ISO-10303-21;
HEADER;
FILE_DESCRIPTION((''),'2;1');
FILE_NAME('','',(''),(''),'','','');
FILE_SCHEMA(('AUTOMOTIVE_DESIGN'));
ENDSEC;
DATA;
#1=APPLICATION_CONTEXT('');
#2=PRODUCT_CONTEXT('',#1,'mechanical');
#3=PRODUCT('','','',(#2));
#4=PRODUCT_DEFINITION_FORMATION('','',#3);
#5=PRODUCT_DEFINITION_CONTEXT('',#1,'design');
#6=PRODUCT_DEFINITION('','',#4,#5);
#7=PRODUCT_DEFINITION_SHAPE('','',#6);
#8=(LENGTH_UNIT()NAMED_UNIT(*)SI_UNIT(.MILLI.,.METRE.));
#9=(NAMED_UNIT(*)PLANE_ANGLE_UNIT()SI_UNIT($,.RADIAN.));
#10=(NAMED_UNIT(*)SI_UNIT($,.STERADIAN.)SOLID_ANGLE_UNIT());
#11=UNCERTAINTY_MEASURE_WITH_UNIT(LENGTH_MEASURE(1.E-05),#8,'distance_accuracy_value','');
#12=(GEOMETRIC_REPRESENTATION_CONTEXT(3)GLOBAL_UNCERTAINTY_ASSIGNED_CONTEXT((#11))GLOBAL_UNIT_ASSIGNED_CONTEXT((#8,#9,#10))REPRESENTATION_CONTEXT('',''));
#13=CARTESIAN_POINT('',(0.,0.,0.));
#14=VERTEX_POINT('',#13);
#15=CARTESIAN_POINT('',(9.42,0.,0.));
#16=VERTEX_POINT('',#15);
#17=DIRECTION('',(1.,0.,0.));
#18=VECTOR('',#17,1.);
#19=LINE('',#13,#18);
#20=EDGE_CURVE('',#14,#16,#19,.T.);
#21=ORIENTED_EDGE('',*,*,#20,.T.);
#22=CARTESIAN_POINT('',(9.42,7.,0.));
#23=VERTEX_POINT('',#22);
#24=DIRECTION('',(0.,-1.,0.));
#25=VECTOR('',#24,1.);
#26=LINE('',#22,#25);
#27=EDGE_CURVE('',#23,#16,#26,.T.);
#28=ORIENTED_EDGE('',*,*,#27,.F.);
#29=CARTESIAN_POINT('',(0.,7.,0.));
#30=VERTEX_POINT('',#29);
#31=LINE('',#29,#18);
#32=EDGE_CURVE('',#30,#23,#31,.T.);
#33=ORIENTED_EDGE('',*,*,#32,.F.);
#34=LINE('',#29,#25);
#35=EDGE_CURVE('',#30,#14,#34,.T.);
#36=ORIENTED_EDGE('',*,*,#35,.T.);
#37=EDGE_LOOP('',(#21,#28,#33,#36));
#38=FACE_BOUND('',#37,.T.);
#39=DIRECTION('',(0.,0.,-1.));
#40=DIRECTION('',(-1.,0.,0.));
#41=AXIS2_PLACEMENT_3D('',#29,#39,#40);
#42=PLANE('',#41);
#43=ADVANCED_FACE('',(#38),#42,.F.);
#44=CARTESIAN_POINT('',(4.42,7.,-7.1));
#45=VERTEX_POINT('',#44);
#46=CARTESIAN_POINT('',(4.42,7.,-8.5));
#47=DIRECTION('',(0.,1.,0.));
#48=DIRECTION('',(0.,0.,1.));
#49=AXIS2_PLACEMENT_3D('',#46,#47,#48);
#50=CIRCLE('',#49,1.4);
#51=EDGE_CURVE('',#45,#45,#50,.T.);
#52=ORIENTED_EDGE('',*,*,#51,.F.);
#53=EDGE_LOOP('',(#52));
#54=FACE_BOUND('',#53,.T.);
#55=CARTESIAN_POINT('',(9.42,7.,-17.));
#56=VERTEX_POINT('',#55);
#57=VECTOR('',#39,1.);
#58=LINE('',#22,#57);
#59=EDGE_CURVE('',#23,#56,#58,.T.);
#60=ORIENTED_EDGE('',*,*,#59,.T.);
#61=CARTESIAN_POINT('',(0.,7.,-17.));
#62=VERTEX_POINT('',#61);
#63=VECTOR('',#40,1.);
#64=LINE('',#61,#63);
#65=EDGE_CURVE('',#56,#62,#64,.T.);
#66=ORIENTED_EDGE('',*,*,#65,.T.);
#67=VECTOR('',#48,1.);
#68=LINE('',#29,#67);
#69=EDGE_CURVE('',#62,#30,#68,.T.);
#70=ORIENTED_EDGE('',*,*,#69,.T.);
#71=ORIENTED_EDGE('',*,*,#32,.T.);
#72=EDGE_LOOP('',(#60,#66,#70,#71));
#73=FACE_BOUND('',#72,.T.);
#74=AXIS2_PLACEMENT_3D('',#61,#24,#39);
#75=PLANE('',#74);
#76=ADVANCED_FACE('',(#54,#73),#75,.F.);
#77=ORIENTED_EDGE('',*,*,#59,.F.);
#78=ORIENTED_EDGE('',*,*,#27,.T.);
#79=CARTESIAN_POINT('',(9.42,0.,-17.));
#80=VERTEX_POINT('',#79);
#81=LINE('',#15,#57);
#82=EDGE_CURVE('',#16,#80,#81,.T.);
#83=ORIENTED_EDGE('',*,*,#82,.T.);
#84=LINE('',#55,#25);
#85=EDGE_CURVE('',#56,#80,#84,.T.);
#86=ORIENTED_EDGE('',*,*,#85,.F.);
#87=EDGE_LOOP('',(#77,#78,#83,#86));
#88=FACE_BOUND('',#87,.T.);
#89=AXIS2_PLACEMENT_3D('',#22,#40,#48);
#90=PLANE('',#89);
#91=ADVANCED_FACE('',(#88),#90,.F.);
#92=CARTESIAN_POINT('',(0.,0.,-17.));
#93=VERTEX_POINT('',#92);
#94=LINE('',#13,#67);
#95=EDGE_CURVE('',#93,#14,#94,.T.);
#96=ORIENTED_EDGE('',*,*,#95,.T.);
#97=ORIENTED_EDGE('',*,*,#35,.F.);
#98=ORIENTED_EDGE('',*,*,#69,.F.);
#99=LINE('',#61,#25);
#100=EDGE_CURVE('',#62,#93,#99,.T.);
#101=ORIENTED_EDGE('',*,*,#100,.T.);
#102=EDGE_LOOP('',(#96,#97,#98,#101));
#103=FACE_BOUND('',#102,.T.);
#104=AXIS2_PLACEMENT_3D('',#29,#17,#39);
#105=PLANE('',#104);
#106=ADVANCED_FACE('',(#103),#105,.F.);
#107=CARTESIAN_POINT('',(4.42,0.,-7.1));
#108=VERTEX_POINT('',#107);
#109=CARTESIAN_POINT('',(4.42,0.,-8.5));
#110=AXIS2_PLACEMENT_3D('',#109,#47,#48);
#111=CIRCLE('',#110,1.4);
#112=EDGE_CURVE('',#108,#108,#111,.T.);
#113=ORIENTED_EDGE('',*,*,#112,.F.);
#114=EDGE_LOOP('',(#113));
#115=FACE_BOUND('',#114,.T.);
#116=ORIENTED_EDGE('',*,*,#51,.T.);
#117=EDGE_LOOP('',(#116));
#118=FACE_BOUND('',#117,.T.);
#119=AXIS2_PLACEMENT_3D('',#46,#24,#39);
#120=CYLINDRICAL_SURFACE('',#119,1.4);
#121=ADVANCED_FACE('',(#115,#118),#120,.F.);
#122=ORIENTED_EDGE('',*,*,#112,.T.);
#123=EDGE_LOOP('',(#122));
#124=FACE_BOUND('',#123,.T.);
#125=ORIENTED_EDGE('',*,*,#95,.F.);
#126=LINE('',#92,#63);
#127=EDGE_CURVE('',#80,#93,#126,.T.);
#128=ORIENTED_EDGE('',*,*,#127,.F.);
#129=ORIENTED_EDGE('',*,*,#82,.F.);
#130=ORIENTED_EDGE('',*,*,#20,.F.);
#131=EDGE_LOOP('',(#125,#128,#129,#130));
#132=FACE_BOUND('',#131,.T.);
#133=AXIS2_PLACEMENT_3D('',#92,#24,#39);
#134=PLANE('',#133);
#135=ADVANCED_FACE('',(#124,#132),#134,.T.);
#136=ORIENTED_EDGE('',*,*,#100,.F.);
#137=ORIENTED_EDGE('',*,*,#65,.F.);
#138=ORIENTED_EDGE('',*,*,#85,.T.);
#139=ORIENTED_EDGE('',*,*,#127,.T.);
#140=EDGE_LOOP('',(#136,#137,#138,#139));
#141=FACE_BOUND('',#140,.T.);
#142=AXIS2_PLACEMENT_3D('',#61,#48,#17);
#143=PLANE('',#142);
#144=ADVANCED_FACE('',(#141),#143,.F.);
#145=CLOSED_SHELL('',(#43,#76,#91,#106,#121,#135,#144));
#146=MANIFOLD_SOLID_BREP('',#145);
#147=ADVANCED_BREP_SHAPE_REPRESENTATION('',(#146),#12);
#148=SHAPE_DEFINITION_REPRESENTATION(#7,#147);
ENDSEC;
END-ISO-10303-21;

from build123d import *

# Parameters (mm, degrees)
ESBO_O1_W                = 9.42
ESBO_O1_H                = 17
ESBO_O1_R                = 1.4
RESSALTO_EXTRUS_O1_DEPTH = 7


with BuildPart() as part:
    # Esboço1 → Ressalto-extrusão1 (new body)
    with BuildSketch(Plane(origin=(0, 0, 0), x_dir=(1, 0, 0), z_dir=(0, 1, 0))):
        with Locations((4.71, 8.5)):
            Rectangle(ESBO_O1_W, ESBO_O1_H)
        with Locations((4.42, 8.5)):
            Circle(ESBO_O1_R, mode=Mode.SUBTRACT)
    extrude(amount=RESSALTO_EXTRUS_O1_DEPTH)


solid = part.part
